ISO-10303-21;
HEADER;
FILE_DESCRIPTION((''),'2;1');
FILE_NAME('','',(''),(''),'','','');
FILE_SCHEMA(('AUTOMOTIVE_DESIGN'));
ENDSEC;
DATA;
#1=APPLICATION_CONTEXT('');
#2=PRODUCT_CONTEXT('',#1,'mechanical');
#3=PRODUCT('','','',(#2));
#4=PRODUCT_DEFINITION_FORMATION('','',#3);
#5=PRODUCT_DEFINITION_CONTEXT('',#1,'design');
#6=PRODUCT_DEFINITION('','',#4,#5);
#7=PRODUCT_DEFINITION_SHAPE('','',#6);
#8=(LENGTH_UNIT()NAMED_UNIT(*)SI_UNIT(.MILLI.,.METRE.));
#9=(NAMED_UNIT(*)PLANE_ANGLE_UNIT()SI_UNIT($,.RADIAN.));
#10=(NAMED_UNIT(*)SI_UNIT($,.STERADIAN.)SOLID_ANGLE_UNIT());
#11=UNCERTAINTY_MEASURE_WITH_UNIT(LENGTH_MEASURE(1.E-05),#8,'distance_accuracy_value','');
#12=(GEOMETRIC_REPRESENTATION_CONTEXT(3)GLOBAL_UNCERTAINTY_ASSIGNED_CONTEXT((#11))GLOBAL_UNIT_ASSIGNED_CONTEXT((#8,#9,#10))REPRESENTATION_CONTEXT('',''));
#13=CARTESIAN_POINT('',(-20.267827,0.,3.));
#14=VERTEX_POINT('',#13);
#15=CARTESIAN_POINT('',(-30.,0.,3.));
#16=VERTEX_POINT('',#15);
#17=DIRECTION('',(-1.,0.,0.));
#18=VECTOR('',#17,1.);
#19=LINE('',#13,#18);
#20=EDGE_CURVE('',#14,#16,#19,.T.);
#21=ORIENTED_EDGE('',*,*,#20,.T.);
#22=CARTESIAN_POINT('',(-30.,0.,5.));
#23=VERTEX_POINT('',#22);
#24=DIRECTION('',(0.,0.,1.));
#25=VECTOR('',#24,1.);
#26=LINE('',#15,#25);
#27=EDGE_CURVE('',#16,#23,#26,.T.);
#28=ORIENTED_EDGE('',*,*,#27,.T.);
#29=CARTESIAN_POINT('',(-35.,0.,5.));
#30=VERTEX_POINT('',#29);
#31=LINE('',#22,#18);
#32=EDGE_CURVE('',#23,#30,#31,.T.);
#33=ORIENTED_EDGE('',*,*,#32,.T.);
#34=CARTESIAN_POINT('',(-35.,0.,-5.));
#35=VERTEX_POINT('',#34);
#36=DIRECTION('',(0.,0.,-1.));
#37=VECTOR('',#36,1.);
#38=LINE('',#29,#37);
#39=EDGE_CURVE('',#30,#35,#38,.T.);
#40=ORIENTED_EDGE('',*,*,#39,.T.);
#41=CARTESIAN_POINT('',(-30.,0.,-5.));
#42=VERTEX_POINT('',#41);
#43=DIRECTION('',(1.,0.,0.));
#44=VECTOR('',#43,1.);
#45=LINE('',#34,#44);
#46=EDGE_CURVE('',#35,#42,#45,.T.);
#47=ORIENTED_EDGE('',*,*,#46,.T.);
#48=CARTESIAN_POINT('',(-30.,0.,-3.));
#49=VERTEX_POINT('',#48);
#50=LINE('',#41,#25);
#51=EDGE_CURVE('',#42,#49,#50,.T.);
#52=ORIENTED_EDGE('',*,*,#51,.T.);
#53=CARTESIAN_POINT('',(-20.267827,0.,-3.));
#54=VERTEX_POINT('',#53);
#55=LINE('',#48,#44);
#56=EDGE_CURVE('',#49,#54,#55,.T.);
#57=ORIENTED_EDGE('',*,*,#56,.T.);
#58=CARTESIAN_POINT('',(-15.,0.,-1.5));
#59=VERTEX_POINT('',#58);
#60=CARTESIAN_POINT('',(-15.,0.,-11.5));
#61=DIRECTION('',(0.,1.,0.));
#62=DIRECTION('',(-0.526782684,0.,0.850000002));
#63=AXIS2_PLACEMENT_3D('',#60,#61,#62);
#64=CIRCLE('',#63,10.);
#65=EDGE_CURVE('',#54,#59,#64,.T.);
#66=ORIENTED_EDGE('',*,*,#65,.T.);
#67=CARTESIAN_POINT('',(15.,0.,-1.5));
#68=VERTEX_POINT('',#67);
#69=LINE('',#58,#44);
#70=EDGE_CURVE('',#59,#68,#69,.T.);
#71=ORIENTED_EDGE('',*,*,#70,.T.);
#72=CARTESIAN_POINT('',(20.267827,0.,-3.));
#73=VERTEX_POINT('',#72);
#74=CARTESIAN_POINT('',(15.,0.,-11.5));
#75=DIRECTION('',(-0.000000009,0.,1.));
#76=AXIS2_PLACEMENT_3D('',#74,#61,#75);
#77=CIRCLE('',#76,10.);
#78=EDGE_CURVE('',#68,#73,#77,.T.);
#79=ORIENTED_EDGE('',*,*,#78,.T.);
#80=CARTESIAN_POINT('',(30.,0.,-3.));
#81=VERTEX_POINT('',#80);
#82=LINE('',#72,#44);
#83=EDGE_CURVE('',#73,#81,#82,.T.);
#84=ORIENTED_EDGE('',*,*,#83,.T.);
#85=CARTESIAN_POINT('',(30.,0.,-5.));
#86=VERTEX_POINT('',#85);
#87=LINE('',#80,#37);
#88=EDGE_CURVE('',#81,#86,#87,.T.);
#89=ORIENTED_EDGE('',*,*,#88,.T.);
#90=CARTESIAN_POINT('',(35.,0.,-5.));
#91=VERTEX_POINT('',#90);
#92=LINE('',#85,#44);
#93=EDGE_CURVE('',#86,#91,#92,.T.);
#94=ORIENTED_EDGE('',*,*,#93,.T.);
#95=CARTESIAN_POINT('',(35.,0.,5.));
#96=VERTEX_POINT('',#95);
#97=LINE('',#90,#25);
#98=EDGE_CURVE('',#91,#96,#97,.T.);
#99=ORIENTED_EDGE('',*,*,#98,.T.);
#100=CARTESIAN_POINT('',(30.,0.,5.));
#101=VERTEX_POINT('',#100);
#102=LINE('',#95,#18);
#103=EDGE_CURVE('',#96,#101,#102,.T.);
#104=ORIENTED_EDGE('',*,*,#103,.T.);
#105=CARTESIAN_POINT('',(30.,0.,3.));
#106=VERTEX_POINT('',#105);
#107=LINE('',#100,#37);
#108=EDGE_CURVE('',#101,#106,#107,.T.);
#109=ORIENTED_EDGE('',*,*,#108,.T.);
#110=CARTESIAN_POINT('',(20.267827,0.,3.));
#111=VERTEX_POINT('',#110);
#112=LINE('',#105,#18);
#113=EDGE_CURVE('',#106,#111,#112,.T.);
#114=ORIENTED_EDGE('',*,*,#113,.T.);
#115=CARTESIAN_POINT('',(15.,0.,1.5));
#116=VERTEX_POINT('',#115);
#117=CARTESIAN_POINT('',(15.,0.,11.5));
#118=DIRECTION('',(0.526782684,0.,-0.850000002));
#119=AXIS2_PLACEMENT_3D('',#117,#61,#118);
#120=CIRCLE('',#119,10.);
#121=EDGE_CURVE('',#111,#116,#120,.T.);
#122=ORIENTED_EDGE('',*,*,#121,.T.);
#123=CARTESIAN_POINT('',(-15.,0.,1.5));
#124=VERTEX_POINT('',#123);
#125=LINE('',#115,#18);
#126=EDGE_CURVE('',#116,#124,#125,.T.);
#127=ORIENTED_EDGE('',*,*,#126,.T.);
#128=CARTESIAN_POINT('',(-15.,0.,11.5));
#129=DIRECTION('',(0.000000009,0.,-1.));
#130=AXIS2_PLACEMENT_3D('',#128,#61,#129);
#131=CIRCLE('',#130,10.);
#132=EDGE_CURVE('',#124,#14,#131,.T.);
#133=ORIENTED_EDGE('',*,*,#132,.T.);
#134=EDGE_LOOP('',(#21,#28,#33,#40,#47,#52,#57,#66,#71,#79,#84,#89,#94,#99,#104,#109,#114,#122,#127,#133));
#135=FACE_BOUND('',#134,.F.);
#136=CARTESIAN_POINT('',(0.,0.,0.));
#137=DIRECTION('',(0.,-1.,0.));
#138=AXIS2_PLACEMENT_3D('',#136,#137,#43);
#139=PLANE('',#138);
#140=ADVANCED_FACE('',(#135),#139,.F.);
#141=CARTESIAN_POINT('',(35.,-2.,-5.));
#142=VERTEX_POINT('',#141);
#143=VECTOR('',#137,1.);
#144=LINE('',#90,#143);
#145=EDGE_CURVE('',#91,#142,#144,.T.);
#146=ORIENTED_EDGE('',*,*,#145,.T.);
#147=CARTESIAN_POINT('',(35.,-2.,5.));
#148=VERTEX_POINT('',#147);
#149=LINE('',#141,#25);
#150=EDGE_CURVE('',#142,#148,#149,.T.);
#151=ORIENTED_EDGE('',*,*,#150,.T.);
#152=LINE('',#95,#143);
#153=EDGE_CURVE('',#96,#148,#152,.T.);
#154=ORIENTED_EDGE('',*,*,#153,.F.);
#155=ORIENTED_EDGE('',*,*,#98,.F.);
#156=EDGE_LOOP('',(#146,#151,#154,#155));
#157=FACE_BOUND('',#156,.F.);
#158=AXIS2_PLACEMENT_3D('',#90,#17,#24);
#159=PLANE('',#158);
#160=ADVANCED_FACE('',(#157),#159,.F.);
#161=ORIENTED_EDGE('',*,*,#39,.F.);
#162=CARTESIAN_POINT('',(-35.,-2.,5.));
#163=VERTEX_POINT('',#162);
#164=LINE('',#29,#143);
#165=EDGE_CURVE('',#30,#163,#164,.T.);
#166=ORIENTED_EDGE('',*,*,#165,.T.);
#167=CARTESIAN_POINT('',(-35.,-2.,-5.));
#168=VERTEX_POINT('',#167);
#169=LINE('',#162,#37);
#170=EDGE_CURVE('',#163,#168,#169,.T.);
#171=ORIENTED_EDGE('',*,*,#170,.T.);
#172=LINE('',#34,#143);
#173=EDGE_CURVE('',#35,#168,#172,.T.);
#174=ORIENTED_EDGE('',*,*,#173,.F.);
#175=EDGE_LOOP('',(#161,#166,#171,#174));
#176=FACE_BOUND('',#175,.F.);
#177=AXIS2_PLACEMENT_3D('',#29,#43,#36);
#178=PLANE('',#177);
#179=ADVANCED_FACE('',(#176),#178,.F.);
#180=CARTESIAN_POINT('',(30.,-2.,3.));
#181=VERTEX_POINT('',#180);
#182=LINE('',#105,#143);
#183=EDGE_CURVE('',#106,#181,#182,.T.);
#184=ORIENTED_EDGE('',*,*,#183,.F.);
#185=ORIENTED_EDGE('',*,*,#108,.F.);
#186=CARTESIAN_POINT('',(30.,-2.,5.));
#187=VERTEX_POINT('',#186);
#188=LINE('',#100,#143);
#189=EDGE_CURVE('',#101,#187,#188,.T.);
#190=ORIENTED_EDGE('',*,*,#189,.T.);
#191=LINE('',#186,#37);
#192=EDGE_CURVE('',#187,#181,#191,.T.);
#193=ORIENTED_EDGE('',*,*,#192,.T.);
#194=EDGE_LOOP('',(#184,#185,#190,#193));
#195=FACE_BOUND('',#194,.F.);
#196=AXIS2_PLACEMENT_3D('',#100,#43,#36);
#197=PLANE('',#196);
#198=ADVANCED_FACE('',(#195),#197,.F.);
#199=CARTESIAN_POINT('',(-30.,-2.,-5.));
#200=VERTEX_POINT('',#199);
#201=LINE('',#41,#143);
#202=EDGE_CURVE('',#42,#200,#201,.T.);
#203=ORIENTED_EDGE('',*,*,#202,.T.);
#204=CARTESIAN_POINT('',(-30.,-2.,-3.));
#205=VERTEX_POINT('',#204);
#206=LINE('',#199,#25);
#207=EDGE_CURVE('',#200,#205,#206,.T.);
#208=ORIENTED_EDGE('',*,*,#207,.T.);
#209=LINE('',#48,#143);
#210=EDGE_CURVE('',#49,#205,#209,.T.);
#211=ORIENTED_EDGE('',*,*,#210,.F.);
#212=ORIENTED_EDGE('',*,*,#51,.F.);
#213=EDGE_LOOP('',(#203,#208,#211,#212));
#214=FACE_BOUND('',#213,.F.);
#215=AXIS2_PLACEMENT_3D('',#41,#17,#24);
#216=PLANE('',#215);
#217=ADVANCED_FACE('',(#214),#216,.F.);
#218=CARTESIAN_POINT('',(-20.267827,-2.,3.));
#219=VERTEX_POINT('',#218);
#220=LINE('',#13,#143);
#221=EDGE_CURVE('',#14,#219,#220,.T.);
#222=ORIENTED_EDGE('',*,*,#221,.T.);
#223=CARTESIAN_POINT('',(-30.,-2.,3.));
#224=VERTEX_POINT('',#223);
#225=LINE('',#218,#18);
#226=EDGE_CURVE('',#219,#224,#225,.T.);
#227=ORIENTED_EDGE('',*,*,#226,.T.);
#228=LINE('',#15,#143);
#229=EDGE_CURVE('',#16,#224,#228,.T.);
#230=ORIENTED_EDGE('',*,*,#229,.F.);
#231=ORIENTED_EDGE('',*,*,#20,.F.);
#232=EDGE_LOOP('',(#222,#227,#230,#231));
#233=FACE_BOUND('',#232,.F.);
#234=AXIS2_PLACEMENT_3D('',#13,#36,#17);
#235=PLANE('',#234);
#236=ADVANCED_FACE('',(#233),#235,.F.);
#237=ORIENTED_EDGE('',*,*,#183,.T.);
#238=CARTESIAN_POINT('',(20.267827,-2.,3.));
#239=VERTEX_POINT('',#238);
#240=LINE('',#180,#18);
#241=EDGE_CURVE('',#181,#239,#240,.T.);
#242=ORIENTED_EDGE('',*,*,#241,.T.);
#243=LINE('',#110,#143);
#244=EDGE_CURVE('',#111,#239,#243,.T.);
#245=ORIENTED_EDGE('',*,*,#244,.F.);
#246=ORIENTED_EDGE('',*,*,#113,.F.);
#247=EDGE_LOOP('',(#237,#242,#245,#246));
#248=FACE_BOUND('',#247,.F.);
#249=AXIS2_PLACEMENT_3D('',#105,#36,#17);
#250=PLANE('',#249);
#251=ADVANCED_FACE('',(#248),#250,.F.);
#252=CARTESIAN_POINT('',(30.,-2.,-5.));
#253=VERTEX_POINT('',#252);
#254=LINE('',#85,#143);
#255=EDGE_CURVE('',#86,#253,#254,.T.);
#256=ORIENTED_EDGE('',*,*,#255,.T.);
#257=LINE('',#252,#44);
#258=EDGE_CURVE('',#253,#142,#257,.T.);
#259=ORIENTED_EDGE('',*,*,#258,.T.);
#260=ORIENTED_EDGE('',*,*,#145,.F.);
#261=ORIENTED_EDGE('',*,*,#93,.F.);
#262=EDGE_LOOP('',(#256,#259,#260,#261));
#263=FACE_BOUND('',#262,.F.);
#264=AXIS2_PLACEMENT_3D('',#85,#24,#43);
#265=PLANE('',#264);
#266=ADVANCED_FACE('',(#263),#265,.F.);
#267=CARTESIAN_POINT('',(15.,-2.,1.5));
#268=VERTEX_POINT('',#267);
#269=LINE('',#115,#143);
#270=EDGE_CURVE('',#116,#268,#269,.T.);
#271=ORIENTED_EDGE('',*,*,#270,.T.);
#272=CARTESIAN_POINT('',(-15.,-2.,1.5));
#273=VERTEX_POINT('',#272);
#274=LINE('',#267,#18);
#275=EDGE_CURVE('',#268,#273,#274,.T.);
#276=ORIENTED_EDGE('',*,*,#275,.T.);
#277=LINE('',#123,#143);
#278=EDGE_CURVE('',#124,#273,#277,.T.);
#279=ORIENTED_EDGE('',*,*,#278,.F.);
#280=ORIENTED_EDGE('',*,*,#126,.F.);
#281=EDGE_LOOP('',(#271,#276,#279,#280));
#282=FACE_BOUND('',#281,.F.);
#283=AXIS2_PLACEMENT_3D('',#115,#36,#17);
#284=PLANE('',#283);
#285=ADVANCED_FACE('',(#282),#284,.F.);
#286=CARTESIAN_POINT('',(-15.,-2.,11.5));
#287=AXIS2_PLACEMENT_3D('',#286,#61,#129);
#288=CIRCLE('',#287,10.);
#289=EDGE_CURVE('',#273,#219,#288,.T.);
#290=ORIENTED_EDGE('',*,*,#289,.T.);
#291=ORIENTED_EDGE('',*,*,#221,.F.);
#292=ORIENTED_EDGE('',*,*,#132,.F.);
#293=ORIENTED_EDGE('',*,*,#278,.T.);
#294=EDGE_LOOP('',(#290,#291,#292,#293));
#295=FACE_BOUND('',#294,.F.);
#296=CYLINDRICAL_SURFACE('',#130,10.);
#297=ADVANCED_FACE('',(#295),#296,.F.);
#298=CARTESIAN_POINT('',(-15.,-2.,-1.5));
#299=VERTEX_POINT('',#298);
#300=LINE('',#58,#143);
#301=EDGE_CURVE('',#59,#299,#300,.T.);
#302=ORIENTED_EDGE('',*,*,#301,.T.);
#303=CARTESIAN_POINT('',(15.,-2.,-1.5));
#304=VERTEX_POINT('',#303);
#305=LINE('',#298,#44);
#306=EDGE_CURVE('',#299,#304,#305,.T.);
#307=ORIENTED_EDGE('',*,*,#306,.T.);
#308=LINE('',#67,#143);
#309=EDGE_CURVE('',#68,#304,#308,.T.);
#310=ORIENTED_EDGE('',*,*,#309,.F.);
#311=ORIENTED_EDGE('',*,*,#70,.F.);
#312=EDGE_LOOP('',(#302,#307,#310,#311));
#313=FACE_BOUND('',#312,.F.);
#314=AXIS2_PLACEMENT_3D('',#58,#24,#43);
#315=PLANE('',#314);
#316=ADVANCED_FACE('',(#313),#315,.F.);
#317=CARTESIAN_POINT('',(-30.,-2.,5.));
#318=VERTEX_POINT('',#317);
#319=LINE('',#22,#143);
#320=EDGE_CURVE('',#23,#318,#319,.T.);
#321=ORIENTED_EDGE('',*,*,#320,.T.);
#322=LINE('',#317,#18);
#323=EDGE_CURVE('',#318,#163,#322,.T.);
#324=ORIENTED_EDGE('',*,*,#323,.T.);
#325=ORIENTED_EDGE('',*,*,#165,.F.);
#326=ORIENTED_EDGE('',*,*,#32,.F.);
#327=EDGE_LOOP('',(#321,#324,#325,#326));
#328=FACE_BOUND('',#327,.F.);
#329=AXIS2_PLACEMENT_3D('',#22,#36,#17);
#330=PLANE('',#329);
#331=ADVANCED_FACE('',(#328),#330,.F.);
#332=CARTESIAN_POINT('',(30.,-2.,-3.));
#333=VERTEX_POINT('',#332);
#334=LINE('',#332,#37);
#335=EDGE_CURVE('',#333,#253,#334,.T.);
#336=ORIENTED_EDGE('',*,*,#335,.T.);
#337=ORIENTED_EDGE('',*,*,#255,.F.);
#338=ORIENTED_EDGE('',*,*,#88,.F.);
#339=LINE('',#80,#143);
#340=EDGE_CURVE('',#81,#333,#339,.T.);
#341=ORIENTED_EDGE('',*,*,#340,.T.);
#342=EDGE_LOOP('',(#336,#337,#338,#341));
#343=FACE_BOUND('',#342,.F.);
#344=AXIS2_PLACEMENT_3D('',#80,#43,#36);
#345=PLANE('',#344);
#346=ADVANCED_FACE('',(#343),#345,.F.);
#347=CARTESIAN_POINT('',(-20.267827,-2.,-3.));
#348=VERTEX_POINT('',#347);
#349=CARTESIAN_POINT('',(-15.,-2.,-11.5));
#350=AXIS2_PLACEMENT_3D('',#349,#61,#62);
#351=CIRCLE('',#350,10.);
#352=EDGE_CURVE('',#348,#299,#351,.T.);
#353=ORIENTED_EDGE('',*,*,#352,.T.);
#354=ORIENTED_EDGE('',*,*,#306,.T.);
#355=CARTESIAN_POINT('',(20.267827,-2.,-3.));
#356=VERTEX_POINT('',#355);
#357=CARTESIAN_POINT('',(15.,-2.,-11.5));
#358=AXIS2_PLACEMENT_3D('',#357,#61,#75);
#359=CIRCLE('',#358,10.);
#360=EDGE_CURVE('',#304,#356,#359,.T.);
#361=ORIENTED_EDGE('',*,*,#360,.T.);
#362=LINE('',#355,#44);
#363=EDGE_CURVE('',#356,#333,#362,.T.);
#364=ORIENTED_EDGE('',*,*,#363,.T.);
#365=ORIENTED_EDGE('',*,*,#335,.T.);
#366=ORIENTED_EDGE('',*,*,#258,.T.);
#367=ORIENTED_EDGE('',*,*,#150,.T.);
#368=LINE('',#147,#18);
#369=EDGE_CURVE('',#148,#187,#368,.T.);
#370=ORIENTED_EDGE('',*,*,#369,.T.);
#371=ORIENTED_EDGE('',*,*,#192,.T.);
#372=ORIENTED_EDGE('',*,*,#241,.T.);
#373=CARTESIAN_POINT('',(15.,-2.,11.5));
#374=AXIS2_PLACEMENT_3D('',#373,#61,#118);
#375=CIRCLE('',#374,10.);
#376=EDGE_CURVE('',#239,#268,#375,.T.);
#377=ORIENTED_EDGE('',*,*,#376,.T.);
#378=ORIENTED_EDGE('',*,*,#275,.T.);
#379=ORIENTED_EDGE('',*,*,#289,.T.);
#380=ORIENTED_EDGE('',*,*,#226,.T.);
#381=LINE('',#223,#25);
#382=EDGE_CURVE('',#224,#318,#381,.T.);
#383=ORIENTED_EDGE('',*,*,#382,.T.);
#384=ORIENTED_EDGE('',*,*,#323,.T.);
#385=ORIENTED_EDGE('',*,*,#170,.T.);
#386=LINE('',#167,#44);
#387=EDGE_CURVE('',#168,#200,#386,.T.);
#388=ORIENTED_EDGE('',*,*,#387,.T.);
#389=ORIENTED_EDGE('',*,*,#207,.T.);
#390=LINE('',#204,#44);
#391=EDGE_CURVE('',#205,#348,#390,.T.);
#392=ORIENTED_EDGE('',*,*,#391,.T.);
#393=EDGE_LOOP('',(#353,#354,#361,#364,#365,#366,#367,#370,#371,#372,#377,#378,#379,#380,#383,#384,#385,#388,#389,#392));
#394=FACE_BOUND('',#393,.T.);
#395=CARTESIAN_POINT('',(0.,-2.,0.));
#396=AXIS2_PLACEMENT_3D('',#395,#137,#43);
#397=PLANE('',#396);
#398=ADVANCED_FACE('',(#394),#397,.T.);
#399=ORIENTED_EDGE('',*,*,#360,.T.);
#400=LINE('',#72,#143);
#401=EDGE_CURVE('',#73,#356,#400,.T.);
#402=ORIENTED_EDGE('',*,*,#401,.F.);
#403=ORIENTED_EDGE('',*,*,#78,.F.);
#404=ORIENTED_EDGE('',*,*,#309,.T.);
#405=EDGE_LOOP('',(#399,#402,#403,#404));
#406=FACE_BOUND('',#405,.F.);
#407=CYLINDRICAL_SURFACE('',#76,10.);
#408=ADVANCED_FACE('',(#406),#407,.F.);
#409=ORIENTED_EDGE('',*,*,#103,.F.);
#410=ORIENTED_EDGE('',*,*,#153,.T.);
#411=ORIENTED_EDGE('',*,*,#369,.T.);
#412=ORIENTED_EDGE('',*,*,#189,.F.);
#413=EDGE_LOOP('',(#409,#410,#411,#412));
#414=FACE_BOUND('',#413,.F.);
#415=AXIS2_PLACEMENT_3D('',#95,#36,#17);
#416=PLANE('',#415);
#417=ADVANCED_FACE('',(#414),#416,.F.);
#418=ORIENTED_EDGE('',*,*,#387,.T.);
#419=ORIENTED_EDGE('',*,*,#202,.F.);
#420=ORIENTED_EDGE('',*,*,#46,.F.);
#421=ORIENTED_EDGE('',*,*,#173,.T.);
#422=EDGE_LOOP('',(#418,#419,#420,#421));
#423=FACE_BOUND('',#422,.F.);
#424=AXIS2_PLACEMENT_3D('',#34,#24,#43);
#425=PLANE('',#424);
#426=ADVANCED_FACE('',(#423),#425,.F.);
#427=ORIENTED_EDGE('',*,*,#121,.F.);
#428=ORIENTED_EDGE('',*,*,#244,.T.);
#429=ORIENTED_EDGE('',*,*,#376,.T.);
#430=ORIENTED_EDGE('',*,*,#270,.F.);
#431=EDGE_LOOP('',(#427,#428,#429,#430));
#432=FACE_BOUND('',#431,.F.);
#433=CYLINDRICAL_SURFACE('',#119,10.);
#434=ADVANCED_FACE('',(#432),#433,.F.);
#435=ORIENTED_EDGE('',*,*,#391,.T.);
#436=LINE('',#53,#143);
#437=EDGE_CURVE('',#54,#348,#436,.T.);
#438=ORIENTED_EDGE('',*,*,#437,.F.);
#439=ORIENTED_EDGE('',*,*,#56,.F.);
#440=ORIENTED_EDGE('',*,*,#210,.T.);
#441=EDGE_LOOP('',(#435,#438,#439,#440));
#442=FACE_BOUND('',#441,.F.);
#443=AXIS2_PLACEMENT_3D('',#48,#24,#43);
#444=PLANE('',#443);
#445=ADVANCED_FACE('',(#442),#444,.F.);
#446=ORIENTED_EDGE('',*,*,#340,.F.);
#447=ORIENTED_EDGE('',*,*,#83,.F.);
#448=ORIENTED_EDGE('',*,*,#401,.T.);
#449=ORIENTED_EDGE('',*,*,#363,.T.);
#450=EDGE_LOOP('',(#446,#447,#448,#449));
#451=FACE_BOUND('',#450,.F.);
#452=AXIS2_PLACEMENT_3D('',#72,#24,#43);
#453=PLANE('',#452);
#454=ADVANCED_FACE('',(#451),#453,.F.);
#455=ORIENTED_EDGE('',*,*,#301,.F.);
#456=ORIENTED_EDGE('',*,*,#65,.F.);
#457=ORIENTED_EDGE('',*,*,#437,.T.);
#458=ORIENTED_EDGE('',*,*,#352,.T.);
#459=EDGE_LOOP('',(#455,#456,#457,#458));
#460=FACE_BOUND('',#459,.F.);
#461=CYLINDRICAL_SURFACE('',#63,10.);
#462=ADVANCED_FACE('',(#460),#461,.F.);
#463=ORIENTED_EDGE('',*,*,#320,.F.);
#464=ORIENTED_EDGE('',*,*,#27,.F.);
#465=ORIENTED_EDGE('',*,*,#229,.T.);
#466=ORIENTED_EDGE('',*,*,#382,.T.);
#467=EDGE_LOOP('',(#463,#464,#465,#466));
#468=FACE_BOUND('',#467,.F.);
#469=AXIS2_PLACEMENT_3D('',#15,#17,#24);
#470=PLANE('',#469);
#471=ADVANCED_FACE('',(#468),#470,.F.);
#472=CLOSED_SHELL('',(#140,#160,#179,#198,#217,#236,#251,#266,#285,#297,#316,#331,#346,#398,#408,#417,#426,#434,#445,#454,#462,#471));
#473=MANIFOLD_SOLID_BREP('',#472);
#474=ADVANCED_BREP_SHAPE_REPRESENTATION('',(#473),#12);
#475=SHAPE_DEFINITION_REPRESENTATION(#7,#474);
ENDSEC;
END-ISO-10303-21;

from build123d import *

# Parameters (mm, degrees)
F1_DEPTH = 2


with BuildPart() as f1:
    # F0 (on Front) → F1 (new body)
    with BuildSketch(Plane.XZ):
        with BuildLine():
            Line((-30, 5), (-35, 5))
            Line((-35, 5), (-35, 1.5))
            Line((-35, 1.5), (-35, -1.5))
            Line((-35, -1.5), (-35, -5))
            Line((-35, -5), (-30, -5))
            Line((-30, -5), (-30, -3))
            Line((-30, -3), (-20.267827, -3))
            ThreePointArc((-20.267827, -3), (-17.738613, -1.882308), (-15, -1.5))
            Line((-15, -1.5), (15, -1.5))
            ThreePointArc((15, -1.5), (17.738613, -1.882308), (20.267827, -3))
            Line((20.267827, -3), (30, -3))
            Line((30, -3), (30, -5))
            Line((30, -5), (35, -5))
            Line((35, -5), (35, -1.5))
            Line((35, -1.5), (35, 1.5))
            Line((35, 1.5), (35, 5))
            Line((35, 5), (30, 5))
            Line((30, 5), (30, 3))
            Line((30, 3), (20.267827, 3))
            ThreePointArc((20.267827, 3), (17.738613, 1.882308), (15, 1.5))
            Line((15, 1.5), (-15, 1.5))
            ThreePointArc((-15, 1.5), (-17.738613, 1.882308), (-20.267827, 3))
            Line((-20.267827, 3), (-30, 3))
            Line((-30, 3), (-30, 5))
        make_face()
    extrude(amount=F1_DEPTH)


solid = f1.part
